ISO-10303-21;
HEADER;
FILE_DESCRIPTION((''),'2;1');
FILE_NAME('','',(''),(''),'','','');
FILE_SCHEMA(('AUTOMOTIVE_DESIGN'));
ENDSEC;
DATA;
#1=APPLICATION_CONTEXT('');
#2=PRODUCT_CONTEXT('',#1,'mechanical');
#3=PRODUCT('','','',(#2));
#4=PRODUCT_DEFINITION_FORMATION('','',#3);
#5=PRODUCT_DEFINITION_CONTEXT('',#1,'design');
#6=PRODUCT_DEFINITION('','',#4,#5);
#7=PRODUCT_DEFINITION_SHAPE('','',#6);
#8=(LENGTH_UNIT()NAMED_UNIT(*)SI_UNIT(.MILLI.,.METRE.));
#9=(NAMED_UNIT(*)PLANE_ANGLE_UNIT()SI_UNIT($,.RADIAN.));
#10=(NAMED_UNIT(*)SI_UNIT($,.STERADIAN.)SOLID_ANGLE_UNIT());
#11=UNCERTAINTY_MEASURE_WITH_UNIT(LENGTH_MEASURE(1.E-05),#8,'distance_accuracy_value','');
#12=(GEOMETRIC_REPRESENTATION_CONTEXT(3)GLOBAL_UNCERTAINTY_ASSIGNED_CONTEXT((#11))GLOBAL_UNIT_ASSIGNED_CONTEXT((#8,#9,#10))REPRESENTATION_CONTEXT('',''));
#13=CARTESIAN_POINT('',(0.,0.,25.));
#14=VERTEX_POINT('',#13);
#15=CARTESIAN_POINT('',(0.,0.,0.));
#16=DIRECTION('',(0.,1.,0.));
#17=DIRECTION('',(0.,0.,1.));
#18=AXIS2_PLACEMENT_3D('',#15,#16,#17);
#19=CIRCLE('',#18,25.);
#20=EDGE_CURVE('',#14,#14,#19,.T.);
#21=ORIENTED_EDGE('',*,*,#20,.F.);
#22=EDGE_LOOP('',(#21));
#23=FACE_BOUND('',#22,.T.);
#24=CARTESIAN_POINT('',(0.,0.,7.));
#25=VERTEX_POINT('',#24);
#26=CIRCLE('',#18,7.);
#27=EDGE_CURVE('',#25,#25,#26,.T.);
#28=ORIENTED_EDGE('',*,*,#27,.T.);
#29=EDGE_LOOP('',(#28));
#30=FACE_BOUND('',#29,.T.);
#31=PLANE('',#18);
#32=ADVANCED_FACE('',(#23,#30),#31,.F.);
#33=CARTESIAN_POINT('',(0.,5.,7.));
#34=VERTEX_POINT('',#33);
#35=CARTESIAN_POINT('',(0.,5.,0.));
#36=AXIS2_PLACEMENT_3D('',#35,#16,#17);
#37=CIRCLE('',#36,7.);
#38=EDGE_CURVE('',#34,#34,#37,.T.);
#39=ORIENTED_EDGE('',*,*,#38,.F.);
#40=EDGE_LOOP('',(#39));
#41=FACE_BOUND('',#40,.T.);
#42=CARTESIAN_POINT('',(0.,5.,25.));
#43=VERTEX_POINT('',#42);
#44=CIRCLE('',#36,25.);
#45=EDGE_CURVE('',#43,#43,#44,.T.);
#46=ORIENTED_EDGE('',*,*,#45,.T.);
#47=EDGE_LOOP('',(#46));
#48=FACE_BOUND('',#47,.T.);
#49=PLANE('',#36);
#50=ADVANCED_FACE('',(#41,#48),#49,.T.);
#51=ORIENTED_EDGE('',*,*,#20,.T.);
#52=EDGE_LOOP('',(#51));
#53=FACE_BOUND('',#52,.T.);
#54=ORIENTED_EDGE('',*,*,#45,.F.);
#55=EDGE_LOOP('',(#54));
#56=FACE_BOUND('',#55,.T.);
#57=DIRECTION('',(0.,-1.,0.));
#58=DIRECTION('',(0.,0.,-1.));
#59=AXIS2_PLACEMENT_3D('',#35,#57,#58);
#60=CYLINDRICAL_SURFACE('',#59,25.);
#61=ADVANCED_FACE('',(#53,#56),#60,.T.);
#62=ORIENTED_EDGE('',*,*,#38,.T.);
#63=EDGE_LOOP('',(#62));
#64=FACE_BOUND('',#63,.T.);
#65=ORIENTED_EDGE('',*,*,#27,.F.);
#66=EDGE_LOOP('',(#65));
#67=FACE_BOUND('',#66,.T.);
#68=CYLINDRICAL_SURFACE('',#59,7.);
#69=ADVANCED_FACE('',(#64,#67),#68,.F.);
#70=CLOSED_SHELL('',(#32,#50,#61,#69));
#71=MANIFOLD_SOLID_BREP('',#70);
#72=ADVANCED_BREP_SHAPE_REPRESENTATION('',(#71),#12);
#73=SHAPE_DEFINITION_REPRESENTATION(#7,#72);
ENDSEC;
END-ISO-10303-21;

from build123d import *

# Parameters (mm, degrees)
SKETCH_1_R      = 25
SKETCH_1_R_2    = 7
EXTRUDE_1_DEPTH = 5


with BuildPart() as part:
    # Эскиз1 → Бобышка-Вытянуть1 (new body)
    with BuildSketch(Plane(origin=(0, 0, 0), x_dir=(1, 0, 0), z_dir=(0, 1, 0))):
        with Locations(Location((0, 0, 0), (0, 0, 270))):
            Circle(SKETCH_1_R)
        with Locations(Location((0, 0, 0), (0, 0, 270))):
            Circle(SKETCH_1_R_2, mode=Mode.SUBTRACT)
    extrude(amount=EXTRUDE_1_DEPTH)


solid = part.part
